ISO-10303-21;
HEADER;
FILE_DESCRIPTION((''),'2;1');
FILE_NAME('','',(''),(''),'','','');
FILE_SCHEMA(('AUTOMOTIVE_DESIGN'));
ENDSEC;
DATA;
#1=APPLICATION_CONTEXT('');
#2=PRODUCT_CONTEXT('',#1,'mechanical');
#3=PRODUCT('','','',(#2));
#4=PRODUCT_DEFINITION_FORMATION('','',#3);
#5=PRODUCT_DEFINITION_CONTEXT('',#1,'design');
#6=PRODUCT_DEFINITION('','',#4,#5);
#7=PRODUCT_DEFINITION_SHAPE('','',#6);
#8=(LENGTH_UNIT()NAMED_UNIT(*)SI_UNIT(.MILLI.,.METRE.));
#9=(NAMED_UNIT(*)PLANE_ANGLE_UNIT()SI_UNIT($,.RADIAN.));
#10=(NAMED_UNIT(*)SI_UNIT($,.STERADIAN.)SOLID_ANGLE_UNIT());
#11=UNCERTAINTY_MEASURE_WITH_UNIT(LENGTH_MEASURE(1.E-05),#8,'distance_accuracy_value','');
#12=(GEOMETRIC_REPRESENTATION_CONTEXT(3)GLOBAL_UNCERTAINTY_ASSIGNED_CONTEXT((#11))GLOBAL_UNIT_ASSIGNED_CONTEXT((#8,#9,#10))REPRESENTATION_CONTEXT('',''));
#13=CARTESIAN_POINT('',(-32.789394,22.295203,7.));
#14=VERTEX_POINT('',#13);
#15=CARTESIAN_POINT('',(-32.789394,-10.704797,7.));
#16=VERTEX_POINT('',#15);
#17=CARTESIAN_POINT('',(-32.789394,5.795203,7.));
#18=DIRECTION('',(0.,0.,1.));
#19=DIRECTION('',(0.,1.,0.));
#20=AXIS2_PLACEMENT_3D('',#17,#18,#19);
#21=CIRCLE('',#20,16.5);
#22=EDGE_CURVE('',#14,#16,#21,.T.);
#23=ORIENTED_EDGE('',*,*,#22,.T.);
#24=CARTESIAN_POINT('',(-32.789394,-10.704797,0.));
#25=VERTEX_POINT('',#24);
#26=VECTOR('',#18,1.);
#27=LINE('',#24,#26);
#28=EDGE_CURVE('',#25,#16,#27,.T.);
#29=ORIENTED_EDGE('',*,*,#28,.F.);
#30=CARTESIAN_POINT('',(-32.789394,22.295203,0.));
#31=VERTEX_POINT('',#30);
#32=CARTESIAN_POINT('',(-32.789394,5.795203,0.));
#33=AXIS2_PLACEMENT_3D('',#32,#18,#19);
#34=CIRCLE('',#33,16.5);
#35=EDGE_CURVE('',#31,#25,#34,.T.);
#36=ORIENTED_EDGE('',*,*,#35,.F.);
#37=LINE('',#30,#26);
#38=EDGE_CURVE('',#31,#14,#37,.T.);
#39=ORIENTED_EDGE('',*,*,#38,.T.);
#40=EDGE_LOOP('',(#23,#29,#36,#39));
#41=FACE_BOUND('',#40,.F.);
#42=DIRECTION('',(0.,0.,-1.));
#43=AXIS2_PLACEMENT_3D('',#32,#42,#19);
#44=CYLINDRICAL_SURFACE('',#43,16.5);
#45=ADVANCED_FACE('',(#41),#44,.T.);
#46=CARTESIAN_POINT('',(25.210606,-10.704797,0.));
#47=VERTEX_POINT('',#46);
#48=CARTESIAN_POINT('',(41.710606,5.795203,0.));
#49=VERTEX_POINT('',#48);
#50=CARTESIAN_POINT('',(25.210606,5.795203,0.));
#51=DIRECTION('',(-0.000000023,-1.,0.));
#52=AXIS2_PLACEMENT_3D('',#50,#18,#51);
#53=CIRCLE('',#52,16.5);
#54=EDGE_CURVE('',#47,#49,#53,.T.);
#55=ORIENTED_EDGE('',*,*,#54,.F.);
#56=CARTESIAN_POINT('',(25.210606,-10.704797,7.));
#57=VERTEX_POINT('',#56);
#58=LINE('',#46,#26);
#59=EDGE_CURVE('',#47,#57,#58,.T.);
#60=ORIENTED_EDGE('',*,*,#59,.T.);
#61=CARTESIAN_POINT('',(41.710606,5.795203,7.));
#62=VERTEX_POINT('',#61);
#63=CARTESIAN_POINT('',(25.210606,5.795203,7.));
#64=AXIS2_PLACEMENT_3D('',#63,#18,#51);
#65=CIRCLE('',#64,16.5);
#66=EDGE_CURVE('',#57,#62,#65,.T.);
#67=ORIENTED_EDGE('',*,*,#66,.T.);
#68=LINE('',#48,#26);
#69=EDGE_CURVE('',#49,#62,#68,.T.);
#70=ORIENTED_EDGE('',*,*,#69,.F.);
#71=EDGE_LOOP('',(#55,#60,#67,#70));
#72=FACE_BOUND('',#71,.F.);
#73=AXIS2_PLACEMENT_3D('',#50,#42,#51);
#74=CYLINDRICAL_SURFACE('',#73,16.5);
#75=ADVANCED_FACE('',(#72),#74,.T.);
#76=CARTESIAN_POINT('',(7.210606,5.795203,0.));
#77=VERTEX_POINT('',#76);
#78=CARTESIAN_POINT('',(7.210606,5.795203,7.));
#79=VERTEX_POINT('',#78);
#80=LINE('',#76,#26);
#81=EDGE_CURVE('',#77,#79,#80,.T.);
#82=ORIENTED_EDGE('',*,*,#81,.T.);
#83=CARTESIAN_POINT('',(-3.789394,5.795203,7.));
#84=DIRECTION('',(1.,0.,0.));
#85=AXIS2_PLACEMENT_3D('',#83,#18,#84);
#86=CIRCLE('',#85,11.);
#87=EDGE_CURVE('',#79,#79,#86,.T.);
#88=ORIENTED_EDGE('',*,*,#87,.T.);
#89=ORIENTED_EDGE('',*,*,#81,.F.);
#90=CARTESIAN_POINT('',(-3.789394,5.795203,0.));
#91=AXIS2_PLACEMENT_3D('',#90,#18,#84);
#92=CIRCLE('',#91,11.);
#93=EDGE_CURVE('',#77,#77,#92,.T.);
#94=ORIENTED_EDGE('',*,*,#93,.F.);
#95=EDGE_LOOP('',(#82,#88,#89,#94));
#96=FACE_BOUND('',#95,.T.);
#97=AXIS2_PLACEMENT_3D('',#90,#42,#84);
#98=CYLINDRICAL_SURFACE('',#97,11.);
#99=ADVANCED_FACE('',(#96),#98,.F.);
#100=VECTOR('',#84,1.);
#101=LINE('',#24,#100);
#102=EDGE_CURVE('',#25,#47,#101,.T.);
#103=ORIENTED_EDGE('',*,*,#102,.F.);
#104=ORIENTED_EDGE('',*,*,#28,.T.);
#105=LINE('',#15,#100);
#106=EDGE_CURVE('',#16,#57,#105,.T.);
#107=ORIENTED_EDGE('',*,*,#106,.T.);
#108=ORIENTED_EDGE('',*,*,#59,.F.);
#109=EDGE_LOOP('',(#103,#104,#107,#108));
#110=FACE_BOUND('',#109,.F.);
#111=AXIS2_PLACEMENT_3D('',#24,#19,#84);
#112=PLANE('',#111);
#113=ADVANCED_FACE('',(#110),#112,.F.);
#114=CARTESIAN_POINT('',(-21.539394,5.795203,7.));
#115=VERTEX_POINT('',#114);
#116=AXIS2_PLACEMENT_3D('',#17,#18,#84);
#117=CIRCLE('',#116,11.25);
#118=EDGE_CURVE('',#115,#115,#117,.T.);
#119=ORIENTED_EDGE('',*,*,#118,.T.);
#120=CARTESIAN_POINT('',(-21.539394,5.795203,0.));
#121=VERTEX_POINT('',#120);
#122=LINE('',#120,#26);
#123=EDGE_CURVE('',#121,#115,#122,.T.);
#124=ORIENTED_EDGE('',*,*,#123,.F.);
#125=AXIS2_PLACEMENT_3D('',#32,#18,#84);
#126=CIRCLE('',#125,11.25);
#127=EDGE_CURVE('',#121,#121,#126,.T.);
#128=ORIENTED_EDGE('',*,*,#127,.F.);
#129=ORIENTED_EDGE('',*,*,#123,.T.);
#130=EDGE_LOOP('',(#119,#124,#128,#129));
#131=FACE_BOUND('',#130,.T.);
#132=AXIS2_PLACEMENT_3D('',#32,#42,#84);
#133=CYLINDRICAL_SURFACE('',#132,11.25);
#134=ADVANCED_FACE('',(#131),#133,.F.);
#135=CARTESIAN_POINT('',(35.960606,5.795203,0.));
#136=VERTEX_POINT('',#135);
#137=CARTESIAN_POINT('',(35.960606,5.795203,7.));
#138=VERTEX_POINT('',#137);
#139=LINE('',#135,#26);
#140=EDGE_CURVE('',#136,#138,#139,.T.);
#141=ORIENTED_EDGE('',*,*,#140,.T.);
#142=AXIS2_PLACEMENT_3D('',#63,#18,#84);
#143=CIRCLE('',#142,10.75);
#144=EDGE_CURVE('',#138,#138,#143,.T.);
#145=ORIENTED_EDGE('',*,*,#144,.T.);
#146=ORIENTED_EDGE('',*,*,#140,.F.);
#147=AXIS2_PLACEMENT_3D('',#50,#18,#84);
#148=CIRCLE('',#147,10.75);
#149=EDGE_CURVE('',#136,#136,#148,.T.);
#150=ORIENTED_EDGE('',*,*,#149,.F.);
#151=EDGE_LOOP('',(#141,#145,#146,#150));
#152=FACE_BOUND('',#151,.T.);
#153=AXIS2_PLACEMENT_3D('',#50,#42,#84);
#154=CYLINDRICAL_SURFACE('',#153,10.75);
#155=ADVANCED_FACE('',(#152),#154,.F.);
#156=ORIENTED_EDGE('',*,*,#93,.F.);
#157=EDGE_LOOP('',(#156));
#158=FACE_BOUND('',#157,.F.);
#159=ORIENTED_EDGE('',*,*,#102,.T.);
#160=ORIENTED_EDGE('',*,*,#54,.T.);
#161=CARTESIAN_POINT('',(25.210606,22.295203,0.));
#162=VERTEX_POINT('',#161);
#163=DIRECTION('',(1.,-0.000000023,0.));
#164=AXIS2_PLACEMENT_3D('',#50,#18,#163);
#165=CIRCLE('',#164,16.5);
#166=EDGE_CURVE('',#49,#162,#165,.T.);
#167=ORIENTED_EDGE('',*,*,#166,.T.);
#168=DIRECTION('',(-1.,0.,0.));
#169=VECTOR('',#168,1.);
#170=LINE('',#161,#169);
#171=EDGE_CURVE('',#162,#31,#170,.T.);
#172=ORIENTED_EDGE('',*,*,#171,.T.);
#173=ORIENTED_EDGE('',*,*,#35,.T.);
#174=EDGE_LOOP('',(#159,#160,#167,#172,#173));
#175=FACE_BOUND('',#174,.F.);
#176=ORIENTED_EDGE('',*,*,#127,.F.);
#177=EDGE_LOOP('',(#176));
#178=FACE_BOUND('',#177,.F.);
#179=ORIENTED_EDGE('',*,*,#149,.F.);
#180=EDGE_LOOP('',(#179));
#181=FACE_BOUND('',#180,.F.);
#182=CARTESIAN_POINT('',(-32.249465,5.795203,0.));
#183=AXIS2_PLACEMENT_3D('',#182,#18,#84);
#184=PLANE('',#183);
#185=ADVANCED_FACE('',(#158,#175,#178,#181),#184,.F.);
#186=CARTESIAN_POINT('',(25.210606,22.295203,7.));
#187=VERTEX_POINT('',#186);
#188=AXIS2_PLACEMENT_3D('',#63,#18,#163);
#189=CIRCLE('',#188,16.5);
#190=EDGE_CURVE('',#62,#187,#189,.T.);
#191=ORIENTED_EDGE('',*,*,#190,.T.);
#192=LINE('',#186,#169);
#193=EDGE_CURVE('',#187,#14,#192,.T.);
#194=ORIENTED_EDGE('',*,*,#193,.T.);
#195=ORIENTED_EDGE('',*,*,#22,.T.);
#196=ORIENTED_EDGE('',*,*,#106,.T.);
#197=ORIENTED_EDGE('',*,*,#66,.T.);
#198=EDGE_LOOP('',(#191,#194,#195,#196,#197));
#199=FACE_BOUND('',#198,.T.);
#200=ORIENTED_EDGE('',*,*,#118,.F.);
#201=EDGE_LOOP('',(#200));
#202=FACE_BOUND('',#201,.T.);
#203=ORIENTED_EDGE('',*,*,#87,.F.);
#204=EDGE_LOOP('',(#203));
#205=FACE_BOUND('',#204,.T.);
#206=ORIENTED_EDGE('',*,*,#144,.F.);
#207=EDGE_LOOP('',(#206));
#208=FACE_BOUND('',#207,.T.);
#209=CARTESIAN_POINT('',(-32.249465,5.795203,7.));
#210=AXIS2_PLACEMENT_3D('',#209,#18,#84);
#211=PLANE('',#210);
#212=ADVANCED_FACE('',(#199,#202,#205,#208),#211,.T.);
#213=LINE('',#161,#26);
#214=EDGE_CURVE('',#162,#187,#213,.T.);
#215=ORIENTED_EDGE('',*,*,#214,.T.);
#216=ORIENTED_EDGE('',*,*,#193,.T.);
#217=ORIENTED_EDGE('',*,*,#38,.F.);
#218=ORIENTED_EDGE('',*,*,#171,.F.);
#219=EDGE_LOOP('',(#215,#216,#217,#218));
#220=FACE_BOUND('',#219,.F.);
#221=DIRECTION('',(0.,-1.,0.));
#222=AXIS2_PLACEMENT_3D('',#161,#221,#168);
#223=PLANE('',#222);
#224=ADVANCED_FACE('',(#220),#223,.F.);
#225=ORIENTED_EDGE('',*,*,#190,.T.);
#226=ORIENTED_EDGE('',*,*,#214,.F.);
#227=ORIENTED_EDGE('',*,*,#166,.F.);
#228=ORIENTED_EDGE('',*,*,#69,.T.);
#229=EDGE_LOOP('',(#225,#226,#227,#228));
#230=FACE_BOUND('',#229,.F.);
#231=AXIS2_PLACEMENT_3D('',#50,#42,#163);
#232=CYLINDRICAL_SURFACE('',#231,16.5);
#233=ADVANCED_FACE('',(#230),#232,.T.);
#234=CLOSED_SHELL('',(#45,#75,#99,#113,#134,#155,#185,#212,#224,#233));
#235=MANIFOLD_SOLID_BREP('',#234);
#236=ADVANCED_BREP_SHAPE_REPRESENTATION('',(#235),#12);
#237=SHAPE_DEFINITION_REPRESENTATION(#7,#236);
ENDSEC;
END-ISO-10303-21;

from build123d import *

# Parameters (mm, degrees)
F0_R     = 11.25
F0_R_2   = 11
F0_R_3   = 10.75
F1_DEPTH = 7


with BuildPart() as f1:
    # F0 (on Top) → F1 (new body)
    with BuildSketch(Plane.XY):
        with BuildLine():
            ThreePointArc((-32.789394, -10.704797), (-21.122132, -5.872059), (-16.289394, 5.795203))
            ThreePointArc((-16.289394, 5.795203), (-21.122132, 17.462465), (-32.789394, 22.295203))
            ThreePointArc((-32.789394, 22.295203), (-49.289394, 5.795203), (-32.789394, -10.704797))
        make_face()
        with Locations((-32.789394, 5.795203)):
            Circle(F0_R, mode=Mode.SUBTRACT)
        with BuildLine():
            ThreePointArc((-32.789394, 22.295203), (-21.122132, 17.462465), (-16.289394, 5.795203))
            ThreePointArc((-16.289394, 5.795203), (-21.122132, -5.872059), (-32.789394, -10.704797))
            Line((-32.789394, -10.704797), (25.210606, -10.704797))
            ThreePointArc((25.210606, -10.704797), (8.710606, 5.795203), (25.210606, 22.295203))
            Line((25.210606, 22.295203), (-32.789394, 22.295203))
        make_face()
        with Locations((-3.789394, 5.795203)):
            Circle(F0_R_2, mode=Mode.SUBTRACT)
        with BuildLine():
            ThreePointArc((41.710606, 5.795203), (36.877868, 17.462465), (25.210606, 22.295203))
            ThreePointArc((25.210606, 22.295203), (8.710606, 5.795203), (25.210606, -10.704797))
            ThreePointArc((25.210606, -10.704797), (36.877868, -5.872059), (41.710606, 5.795203))
        make_face()
        with Locations((25.210606, 5.795203)):
            Circle(F0_R_3, mode=Mode.SUBTRACT)
    extrude(amount=F1_DEPTH)


solid = f1.part
